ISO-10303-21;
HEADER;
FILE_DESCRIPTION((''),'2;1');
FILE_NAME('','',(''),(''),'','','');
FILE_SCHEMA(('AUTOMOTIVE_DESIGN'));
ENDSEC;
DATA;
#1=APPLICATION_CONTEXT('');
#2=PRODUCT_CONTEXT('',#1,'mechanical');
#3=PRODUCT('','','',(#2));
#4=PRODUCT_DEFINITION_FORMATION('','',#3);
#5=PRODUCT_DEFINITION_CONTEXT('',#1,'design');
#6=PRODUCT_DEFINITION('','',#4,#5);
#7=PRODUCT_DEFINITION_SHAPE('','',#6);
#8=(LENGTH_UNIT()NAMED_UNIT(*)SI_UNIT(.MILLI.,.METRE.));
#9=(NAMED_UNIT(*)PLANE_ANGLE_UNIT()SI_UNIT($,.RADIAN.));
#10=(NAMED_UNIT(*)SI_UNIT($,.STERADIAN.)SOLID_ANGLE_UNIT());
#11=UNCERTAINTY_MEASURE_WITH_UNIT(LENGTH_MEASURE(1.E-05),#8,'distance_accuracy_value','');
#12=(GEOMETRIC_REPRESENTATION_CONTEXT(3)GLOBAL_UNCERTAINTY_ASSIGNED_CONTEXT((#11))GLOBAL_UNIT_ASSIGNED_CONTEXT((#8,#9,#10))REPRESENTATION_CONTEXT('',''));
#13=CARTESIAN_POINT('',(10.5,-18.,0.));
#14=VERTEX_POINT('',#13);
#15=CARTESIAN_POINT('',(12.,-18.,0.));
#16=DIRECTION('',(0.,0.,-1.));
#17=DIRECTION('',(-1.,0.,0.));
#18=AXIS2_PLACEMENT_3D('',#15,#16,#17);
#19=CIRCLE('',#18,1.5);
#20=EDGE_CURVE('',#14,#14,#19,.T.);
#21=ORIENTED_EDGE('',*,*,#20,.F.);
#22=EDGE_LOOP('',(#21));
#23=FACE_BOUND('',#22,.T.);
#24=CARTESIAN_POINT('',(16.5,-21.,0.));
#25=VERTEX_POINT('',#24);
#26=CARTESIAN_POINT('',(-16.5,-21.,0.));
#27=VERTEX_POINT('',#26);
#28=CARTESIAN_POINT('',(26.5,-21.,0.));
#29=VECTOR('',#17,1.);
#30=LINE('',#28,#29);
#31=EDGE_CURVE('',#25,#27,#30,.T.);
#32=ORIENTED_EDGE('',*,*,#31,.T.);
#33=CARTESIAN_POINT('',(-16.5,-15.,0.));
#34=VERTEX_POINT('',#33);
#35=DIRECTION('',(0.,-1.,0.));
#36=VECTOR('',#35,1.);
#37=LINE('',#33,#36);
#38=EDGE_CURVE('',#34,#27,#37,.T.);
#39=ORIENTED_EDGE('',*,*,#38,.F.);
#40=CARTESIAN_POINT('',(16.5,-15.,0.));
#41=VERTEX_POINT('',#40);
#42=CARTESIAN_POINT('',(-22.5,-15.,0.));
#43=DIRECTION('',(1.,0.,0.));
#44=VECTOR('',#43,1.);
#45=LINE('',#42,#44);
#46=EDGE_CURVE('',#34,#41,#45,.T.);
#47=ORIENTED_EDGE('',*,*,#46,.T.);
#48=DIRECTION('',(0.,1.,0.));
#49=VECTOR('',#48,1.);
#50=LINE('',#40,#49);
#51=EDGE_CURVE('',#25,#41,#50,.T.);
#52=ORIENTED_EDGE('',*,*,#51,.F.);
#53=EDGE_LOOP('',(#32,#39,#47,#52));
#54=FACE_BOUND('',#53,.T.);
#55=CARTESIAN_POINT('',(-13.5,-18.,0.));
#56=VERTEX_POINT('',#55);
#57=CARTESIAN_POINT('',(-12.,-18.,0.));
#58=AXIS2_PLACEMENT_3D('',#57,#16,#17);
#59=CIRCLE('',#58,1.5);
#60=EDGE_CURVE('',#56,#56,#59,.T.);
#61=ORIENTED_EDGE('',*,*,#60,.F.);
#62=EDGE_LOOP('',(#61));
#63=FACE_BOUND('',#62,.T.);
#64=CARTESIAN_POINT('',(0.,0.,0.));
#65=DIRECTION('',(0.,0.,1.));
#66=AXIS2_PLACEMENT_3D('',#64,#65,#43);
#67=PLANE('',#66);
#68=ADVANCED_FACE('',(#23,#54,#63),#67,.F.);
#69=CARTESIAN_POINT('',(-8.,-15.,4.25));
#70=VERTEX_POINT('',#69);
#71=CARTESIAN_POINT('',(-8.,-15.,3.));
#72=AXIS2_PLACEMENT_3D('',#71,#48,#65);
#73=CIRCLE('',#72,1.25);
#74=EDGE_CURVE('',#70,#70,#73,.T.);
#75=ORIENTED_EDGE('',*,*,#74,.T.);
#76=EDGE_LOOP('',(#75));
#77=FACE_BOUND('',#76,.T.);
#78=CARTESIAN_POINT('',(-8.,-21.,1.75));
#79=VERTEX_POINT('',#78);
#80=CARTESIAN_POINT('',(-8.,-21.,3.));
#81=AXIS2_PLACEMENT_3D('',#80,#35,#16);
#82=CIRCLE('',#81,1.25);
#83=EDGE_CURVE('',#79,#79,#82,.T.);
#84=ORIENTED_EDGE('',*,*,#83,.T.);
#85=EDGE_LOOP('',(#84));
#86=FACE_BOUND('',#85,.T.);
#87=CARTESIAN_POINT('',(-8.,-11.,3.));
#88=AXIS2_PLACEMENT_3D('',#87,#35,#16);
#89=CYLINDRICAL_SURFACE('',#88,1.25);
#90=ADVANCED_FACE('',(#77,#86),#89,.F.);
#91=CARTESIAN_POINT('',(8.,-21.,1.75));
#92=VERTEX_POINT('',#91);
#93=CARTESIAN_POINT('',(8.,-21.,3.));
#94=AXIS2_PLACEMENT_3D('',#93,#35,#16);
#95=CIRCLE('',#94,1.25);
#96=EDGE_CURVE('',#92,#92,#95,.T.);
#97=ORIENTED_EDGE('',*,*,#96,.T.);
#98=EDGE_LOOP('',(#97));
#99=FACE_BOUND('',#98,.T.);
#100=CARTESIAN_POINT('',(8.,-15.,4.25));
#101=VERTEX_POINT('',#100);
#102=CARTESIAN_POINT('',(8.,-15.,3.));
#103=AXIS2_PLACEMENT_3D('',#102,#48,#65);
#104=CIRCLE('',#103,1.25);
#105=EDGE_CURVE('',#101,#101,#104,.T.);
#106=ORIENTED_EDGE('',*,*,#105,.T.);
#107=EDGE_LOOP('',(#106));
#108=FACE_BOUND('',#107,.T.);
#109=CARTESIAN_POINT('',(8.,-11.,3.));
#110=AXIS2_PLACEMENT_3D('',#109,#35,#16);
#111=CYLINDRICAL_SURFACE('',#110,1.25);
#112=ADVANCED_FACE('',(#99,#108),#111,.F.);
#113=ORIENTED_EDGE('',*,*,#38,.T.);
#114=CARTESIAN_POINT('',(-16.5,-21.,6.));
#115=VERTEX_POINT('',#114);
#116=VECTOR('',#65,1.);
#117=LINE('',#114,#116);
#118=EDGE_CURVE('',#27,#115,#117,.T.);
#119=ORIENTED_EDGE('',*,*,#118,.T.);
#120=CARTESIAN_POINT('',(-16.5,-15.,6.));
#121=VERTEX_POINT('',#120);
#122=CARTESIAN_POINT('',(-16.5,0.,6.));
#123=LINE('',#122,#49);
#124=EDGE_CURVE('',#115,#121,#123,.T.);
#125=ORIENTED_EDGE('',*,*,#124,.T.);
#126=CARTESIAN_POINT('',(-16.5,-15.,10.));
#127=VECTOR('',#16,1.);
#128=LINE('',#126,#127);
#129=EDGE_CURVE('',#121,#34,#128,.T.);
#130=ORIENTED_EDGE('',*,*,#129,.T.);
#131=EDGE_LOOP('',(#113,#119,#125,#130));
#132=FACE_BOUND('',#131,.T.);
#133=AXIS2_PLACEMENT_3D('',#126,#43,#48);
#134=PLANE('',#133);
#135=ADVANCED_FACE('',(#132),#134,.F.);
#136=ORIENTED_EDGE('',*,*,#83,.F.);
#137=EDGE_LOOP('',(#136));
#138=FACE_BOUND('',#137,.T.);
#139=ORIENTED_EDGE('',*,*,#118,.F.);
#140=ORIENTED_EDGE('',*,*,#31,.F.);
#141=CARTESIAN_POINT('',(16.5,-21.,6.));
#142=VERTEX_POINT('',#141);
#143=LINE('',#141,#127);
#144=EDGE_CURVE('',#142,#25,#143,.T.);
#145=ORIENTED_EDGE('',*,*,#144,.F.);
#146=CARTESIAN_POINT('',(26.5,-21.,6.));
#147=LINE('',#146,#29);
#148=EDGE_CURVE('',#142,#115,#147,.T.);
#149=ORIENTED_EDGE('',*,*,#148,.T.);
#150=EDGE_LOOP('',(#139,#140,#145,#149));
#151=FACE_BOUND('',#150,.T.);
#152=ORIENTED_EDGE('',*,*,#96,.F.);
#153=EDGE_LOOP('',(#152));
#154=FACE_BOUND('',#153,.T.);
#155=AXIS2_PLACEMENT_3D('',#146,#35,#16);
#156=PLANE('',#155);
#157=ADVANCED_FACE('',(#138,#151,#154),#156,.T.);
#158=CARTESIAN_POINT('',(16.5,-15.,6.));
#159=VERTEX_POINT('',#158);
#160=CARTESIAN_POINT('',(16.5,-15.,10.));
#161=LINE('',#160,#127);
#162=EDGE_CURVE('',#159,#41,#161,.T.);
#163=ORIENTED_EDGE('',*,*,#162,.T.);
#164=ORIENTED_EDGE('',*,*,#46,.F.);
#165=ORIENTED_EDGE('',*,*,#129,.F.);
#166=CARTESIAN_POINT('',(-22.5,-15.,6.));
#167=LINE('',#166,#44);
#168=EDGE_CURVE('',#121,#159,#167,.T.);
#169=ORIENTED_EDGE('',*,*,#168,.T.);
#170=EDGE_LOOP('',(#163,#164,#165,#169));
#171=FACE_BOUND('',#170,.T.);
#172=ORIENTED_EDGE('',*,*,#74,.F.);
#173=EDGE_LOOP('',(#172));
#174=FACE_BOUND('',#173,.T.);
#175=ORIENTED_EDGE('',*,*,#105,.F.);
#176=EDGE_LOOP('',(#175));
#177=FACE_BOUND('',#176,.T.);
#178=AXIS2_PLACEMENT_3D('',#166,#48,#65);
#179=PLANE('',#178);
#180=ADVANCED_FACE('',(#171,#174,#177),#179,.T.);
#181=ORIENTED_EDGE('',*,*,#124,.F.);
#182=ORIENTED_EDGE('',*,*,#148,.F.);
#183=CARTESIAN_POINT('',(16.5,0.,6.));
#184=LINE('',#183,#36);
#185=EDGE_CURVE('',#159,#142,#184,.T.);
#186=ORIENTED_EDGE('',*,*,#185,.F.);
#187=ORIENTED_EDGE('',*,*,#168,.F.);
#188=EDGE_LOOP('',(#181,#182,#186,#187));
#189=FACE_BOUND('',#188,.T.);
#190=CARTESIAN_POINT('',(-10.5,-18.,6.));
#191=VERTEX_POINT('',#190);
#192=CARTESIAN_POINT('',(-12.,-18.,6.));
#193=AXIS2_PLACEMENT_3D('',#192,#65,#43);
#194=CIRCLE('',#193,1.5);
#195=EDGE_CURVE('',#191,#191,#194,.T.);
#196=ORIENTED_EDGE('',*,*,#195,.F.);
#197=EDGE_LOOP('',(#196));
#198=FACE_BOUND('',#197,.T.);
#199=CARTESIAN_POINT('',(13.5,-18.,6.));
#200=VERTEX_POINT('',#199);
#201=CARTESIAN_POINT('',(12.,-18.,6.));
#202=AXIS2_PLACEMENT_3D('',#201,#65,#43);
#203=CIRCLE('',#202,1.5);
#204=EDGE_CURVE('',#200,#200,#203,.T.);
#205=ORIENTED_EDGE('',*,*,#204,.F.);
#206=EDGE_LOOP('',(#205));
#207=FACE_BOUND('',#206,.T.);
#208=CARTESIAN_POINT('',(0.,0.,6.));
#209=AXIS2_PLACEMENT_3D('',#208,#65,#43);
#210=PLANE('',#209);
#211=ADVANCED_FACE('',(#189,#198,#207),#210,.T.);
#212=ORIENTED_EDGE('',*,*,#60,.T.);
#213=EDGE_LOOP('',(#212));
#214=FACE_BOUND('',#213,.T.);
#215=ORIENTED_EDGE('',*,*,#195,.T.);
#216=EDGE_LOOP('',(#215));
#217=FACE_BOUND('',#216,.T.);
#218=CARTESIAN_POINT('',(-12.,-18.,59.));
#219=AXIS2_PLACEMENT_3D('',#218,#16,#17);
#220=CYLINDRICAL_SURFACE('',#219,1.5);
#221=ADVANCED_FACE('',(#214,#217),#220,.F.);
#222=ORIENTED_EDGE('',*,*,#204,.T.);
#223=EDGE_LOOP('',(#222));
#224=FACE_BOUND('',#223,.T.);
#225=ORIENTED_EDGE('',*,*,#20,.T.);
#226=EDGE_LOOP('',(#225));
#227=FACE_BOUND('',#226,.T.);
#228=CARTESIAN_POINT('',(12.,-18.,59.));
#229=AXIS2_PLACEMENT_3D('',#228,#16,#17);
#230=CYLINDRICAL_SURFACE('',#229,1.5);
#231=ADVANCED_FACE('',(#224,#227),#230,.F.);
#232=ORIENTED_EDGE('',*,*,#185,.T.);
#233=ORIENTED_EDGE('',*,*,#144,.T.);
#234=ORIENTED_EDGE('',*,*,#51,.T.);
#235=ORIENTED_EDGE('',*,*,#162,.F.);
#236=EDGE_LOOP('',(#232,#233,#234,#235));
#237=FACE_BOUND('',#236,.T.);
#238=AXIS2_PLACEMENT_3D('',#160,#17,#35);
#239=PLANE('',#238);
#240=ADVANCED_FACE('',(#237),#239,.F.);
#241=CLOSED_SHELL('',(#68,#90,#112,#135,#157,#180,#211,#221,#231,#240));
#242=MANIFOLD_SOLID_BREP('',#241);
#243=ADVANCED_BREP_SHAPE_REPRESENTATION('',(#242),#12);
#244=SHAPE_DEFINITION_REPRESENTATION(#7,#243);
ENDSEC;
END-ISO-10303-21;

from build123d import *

# Parameters (mm, degrees)
SKETCH_1_W          = 53
SKETCH_1_H          = 38
SKETCH_1_W_2        = 45
SKETCH_1_H_2        = 30
EXTRUDE_1_DEPTH     = 6
SKETCH_2_R          = 1.5
CUT_EXTRUDE_1_DEPTH = 59
SKETCH_4_W          = 53
SKETCH_4_H          = 2
EXTRUDE_1_2_DEPTH   = 6
SKETCH_5_R          = 1.5
CUT_EXTRUDE_3_DEPTH = 59
SKETCH_11_W         = 53
SKETCH_11_H         = 4
CUT_EXTRUDE_5_DEPTH = 10
SKETCH_12_W         = 53
SKETCH_12_H         = 30
CUT_EXTRUDE_6_DEPTH = 10
SKETCH_13_R         = 1.25
CUT_EXTRUDE_7_DEPTH = 10
SKETCH_14_W         = 10
SKETCH_14_H         = 6
CUT_EXTRUDE_8_DEPTH = 10


with BuildPart() as part:
    # 草图1 → Extrude 1 (new body)
    with BuildSketch(Plane.XY):
        Rectangle(SKETCH_1_W, SKETCH_1_H)
        Rectangle(SKETCH_1_W_2, SKETCH_1_H_2, mode=Mode.SUBTRACT)
    extrude(amount=EXTRUDE_1_DEPTH)

    # 草图2 → 切除-拉伸1 (cut)
    with BuildSketch(Plane.ZY.offset(26.5)):
        with Locations((3.5, 9)):
            Circle(SKETCH_2_R)
        with Locations((3.5, -9)):
            Circle(SKETCH_2_R)
    extrude(amount=-CUT_EXTRUDE_1_DEPTH, mode=Mode.SUBTRACT)

    # 草图4 → Extrude 1 2 (add)
    with BuildSketch(Plane(origin=(0, 0, 0), x_dir=(-1, 0, 0), z_dir=(0, 0, -1))):
        with Locations((0, -20)):
            Rectangle(SKETCH_4_W, SKETCH_4_H)
    extrude(amount=-EXTRUDE_1_2_DEPTH)

    # 草图5 → 切除-拉伸3 (cut)
    with BuildSketch(Plane(origin=(0, 0, 0), x_dir=(-1, 0, 0), z_dir=(0, 0, -1))):
        with Locations((12, -18)):
            Circle(SKETCH_5_R)
        with Locations((-12, -18)):
            Circle(SKETCH_5_R)
    extrude(amount=-CUT_EXTRUDE_3_DEPTH, mode=Mode.SUBTRACT)

    # 草图11 → 切除-拉伸5 (cut)
    with BuildSketch(Plane.XY.offset(6)):
        with Locations((0, 17)):
            Rectangle(SKETCH_11_W, SKETCH_11_H)
    extrude(amount=-CUT_EXTRUDE_5_DEPTH, mode=Mode.SUBTRACT)

    # 草图12 → 切除-拉伸6 (cut)
    with BuildSketch(Plane.XY.offset(6)):
        Rectangle(SKETCH_12_W, SKETCH_12_H)
    extrude(amount=-CUT_EXTRUDE_6_DEPTH, mode=Mode.SUBTRACT)

    # 草图13 → 切除-拉伸7 (cut)
    with BuildSketch(Plane.XZ.offset(21)):
        with Locations(Location((8, 3, 0), (0, 0, 270))):
            Circle(SKETCH_13_R)
        with Locations(Location((-8, 3, 0), (0, 0, 270))):
            Circle(SKETCH_13_R)
    extrude(amount=-CUT_EXTRUDE_7_DEPTH, mode=Mode.SUBTRACT)

    # 草图14 → 切除-拉伸8 (cut)
    with BuildSketch(Plane(origin=(0, 0, 0), x_dir=(-1, 0, 0), z_dir=(0, 0, -1))):
        with Locations((21.5, -18)):
            Rectangle(SKETCH_14_W, SKETCH_14_H)
        with Locations((-21.5, -18)):
            Rectangle(SKETCH_14_W, SKETCH_14_H)
    extrude(amount=-CUT_EXTRUDE_8_DEPTH, mode=Mode.SUBTRACT)


solid = part.part
